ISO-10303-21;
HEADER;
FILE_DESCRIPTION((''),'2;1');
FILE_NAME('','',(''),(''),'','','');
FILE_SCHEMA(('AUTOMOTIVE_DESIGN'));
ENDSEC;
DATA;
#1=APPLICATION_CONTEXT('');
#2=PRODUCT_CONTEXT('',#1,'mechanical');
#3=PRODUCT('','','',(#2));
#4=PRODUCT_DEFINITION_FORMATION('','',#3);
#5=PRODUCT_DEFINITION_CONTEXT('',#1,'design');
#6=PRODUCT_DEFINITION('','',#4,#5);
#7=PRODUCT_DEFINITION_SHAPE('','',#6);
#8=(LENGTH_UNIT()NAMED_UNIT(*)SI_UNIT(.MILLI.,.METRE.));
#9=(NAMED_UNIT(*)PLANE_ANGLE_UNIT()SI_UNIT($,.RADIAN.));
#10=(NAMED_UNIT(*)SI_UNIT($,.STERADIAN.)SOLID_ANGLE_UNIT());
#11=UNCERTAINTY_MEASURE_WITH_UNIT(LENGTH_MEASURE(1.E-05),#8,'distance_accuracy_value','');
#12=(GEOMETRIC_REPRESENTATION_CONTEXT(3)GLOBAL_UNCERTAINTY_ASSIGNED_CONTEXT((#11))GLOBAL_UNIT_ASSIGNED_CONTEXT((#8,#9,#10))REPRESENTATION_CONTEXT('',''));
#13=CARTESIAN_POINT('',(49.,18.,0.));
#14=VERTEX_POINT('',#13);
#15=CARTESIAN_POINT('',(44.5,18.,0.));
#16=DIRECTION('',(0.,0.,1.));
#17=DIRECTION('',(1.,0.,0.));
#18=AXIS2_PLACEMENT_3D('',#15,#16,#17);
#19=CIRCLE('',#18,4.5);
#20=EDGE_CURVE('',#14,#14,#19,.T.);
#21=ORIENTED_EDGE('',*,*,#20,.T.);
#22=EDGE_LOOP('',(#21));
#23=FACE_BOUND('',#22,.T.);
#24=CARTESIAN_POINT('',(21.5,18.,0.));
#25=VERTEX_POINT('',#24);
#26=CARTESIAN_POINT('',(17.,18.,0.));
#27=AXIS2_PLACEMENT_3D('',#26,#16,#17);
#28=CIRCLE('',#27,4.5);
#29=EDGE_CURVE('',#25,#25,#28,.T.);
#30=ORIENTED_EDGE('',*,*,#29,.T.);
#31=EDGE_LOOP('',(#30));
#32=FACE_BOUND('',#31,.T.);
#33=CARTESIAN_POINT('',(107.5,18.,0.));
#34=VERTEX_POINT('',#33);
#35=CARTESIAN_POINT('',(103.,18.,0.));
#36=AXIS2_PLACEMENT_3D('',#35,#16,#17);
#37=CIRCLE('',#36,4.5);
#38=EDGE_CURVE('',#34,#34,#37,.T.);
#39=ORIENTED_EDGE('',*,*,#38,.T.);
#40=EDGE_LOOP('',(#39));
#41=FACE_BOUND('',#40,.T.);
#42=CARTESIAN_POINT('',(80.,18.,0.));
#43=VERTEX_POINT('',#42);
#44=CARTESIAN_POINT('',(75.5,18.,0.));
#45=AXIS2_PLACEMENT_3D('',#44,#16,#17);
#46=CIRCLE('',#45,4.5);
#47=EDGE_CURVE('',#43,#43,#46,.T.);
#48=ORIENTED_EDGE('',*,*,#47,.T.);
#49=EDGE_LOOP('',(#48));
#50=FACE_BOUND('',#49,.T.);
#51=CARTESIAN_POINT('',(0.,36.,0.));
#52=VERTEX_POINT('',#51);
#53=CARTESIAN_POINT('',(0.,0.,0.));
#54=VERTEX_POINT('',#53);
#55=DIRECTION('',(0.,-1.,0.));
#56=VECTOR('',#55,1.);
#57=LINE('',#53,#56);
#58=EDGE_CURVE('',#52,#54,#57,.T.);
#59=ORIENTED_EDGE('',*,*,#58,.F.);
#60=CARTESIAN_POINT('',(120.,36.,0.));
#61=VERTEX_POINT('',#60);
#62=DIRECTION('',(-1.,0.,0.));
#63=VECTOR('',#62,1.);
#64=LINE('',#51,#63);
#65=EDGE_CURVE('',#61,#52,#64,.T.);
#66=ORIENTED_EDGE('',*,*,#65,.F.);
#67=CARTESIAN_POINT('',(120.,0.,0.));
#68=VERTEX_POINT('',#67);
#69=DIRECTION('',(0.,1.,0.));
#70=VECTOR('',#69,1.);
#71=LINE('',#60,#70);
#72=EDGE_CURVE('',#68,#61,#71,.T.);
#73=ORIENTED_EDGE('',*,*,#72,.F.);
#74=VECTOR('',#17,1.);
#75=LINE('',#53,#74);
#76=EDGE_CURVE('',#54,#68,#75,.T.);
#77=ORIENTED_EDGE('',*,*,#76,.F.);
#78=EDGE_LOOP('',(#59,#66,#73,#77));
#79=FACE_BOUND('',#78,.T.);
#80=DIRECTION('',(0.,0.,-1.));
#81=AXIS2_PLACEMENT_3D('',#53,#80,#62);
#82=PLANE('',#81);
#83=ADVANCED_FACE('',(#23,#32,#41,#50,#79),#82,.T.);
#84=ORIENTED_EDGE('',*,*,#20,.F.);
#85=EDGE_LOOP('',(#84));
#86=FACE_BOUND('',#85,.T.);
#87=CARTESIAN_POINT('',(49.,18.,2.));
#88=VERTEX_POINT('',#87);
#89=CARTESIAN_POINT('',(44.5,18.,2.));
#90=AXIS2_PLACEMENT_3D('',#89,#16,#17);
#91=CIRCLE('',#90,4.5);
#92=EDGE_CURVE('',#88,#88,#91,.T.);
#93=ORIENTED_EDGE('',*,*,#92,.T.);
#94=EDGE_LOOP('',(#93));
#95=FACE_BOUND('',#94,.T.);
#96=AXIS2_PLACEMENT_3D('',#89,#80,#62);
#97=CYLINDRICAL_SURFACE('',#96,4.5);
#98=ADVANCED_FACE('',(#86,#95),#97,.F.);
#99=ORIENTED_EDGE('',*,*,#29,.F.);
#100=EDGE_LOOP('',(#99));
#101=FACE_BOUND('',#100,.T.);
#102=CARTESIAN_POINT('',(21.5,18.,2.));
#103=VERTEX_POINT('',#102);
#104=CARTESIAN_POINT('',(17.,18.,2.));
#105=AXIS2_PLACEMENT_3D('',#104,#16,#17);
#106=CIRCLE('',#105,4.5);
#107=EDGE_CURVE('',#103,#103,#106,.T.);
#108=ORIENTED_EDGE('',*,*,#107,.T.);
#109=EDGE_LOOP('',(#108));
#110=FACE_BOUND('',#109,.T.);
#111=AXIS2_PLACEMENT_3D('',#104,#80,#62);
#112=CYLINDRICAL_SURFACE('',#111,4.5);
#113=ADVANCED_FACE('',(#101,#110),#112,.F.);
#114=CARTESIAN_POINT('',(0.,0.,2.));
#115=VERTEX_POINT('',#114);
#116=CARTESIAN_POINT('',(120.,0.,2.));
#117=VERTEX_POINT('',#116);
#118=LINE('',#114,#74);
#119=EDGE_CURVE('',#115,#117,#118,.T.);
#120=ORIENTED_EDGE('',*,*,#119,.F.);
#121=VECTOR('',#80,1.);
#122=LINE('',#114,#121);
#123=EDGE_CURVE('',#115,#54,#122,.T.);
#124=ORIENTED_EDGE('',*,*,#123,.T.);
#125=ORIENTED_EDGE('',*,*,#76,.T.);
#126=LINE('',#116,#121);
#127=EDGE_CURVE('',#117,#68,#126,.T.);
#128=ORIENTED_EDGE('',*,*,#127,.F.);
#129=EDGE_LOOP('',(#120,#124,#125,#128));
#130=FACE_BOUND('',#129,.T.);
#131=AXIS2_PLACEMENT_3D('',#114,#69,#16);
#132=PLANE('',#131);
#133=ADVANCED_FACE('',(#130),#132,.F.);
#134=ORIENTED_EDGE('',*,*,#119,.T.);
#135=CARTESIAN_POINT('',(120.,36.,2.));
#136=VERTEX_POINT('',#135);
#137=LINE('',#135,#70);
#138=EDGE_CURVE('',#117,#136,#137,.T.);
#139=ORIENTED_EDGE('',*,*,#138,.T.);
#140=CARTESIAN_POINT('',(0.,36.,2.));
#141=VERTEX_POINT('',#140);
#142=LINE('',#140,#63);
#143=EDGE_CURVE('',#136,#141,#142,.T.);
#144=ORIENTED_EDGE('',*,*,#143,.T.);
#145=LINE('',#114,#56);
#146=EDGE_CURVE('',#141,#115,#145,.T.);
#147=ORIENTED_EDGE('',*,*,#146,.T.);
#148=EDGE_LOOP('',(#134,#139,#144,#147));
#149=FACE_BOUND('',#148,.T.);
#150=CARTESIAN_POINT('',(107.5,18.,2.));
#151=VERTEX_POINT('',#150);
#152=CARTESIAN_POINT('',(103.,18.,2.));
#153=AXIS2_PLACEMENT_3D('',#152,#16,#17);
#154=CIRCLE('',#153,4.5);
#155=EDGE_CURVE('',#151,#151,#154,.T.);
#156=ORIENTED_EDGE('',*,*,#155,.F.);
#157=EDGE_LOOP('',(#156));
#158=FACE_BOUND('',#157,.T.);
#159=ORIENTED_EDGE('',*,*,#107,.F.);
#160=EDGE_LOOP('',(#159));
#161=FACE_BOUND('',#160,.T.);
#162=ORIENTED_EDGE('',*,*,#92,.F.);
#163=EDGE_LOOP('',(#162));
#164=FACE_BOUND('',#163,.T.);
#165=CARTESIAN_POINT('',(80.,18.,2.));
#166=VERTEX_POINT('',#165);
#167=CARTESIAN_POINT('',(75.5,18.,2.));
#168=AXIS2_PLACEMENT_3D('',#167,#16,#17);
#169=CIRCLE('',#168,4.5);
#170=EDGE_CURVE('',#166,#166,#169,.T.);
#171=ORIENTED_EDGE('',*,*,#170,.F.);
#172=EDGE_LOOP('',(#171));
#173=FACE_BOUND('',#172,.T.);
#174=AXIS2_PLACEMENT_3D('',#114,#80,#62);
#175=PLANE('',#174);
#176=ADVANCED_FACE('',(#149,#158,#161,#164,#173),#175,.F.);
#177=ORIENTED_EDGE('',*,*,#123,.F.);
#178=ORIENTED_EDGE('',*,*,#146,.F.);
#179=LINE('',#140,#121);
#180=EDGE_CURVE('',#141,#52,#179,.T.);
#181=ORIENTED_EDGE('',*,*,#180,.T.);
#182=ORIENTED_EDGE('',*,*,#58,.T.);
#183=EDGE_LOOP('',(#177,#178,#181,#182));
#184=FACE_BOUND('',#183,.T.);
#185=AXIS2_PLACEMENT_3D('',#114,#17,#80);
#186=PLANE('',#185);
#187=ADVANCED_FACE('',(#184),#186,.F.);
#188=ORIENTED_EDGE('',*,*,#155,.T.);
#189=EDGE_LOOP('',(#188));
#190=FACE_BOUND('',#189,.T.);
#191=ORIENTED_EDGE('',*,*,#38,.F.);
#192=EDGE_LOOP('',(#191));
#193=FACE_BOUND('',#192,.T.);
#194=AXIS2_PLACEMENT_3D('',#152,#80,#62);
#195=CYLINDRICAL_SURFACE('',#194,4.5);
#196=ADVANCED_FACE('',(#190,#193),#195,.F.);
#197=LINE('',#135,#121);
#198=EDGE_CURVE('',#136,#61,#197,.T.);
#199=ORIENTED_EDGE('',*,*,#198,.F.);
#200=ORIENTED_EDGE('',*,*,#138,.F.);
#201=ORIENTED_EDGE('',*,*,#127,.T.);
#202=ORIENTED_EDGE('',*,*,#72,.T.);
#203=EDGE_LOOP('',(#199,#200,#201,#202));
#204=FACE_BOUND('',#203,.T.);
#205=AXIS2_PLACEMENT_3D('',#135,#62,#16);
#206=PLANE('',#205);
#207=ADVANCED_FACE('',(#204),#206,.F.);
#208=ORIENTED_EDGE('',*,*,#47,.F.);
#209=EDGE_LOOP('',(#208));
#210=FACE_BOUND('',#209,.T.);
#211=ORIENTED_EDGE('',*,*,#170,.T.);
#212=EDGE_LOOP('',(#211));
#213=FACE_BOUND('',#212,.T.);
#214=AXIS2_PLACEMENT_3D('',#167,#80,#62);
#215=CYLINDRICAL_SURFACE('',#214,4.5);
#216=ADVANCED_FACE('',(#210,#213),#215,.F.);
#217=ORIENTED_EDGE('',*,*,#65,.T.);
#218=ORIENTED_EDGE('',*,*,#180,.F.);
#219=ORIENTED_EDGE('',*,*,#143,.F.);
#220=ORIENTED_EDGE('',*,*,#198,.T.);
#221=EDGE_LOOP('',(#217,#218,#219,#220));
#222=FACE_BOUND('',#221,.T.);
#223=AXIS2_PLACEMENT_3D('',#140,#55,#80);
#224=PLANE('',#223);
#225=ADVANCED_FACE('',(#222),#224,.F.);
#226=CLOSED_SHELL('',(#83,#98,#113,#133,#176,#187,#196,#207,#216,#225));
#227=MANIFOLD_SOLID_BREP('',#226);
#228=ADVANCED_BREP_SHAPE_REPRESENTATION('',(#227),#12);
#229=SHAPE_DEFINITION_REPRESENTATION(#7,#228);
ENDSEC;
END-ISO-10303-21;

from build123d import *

# Parameters (mm, degrees)
SKETCH_1_W      = 120
SKETCH_1_H      = 36
SKETCH_1_R      = 4.5
EXTRUDE_1_DEPTH = 2


with BuildPart() as part:
    # 草图1 → 凸台-拉伸1 (new body)
    with BuildSketch(Plane.XY):
        with Locations((60, 18)):
            Rectangle(SKETCH_1_W, SKETCH_1_H)
        with Locations((17, 18)):
            Circle(SKETCH_1_R, mode=Mode.SUBTRACT)
        with Locations((44.5, 18)):
            Circle(SKETCH_1_R, mode=Mode.SUBTRACT)
        with Locations((75.5, 18)):
            Circle(SKETCH_1_R, mode=Mode.SUBTRACT)
        with Locations((103, 18)):
            Circle(SKETCH_1_R, mode=Mode.SUBTRACT)
    extrude(amount=EXTRUDE_1_DEPTH)


solid = part.part
